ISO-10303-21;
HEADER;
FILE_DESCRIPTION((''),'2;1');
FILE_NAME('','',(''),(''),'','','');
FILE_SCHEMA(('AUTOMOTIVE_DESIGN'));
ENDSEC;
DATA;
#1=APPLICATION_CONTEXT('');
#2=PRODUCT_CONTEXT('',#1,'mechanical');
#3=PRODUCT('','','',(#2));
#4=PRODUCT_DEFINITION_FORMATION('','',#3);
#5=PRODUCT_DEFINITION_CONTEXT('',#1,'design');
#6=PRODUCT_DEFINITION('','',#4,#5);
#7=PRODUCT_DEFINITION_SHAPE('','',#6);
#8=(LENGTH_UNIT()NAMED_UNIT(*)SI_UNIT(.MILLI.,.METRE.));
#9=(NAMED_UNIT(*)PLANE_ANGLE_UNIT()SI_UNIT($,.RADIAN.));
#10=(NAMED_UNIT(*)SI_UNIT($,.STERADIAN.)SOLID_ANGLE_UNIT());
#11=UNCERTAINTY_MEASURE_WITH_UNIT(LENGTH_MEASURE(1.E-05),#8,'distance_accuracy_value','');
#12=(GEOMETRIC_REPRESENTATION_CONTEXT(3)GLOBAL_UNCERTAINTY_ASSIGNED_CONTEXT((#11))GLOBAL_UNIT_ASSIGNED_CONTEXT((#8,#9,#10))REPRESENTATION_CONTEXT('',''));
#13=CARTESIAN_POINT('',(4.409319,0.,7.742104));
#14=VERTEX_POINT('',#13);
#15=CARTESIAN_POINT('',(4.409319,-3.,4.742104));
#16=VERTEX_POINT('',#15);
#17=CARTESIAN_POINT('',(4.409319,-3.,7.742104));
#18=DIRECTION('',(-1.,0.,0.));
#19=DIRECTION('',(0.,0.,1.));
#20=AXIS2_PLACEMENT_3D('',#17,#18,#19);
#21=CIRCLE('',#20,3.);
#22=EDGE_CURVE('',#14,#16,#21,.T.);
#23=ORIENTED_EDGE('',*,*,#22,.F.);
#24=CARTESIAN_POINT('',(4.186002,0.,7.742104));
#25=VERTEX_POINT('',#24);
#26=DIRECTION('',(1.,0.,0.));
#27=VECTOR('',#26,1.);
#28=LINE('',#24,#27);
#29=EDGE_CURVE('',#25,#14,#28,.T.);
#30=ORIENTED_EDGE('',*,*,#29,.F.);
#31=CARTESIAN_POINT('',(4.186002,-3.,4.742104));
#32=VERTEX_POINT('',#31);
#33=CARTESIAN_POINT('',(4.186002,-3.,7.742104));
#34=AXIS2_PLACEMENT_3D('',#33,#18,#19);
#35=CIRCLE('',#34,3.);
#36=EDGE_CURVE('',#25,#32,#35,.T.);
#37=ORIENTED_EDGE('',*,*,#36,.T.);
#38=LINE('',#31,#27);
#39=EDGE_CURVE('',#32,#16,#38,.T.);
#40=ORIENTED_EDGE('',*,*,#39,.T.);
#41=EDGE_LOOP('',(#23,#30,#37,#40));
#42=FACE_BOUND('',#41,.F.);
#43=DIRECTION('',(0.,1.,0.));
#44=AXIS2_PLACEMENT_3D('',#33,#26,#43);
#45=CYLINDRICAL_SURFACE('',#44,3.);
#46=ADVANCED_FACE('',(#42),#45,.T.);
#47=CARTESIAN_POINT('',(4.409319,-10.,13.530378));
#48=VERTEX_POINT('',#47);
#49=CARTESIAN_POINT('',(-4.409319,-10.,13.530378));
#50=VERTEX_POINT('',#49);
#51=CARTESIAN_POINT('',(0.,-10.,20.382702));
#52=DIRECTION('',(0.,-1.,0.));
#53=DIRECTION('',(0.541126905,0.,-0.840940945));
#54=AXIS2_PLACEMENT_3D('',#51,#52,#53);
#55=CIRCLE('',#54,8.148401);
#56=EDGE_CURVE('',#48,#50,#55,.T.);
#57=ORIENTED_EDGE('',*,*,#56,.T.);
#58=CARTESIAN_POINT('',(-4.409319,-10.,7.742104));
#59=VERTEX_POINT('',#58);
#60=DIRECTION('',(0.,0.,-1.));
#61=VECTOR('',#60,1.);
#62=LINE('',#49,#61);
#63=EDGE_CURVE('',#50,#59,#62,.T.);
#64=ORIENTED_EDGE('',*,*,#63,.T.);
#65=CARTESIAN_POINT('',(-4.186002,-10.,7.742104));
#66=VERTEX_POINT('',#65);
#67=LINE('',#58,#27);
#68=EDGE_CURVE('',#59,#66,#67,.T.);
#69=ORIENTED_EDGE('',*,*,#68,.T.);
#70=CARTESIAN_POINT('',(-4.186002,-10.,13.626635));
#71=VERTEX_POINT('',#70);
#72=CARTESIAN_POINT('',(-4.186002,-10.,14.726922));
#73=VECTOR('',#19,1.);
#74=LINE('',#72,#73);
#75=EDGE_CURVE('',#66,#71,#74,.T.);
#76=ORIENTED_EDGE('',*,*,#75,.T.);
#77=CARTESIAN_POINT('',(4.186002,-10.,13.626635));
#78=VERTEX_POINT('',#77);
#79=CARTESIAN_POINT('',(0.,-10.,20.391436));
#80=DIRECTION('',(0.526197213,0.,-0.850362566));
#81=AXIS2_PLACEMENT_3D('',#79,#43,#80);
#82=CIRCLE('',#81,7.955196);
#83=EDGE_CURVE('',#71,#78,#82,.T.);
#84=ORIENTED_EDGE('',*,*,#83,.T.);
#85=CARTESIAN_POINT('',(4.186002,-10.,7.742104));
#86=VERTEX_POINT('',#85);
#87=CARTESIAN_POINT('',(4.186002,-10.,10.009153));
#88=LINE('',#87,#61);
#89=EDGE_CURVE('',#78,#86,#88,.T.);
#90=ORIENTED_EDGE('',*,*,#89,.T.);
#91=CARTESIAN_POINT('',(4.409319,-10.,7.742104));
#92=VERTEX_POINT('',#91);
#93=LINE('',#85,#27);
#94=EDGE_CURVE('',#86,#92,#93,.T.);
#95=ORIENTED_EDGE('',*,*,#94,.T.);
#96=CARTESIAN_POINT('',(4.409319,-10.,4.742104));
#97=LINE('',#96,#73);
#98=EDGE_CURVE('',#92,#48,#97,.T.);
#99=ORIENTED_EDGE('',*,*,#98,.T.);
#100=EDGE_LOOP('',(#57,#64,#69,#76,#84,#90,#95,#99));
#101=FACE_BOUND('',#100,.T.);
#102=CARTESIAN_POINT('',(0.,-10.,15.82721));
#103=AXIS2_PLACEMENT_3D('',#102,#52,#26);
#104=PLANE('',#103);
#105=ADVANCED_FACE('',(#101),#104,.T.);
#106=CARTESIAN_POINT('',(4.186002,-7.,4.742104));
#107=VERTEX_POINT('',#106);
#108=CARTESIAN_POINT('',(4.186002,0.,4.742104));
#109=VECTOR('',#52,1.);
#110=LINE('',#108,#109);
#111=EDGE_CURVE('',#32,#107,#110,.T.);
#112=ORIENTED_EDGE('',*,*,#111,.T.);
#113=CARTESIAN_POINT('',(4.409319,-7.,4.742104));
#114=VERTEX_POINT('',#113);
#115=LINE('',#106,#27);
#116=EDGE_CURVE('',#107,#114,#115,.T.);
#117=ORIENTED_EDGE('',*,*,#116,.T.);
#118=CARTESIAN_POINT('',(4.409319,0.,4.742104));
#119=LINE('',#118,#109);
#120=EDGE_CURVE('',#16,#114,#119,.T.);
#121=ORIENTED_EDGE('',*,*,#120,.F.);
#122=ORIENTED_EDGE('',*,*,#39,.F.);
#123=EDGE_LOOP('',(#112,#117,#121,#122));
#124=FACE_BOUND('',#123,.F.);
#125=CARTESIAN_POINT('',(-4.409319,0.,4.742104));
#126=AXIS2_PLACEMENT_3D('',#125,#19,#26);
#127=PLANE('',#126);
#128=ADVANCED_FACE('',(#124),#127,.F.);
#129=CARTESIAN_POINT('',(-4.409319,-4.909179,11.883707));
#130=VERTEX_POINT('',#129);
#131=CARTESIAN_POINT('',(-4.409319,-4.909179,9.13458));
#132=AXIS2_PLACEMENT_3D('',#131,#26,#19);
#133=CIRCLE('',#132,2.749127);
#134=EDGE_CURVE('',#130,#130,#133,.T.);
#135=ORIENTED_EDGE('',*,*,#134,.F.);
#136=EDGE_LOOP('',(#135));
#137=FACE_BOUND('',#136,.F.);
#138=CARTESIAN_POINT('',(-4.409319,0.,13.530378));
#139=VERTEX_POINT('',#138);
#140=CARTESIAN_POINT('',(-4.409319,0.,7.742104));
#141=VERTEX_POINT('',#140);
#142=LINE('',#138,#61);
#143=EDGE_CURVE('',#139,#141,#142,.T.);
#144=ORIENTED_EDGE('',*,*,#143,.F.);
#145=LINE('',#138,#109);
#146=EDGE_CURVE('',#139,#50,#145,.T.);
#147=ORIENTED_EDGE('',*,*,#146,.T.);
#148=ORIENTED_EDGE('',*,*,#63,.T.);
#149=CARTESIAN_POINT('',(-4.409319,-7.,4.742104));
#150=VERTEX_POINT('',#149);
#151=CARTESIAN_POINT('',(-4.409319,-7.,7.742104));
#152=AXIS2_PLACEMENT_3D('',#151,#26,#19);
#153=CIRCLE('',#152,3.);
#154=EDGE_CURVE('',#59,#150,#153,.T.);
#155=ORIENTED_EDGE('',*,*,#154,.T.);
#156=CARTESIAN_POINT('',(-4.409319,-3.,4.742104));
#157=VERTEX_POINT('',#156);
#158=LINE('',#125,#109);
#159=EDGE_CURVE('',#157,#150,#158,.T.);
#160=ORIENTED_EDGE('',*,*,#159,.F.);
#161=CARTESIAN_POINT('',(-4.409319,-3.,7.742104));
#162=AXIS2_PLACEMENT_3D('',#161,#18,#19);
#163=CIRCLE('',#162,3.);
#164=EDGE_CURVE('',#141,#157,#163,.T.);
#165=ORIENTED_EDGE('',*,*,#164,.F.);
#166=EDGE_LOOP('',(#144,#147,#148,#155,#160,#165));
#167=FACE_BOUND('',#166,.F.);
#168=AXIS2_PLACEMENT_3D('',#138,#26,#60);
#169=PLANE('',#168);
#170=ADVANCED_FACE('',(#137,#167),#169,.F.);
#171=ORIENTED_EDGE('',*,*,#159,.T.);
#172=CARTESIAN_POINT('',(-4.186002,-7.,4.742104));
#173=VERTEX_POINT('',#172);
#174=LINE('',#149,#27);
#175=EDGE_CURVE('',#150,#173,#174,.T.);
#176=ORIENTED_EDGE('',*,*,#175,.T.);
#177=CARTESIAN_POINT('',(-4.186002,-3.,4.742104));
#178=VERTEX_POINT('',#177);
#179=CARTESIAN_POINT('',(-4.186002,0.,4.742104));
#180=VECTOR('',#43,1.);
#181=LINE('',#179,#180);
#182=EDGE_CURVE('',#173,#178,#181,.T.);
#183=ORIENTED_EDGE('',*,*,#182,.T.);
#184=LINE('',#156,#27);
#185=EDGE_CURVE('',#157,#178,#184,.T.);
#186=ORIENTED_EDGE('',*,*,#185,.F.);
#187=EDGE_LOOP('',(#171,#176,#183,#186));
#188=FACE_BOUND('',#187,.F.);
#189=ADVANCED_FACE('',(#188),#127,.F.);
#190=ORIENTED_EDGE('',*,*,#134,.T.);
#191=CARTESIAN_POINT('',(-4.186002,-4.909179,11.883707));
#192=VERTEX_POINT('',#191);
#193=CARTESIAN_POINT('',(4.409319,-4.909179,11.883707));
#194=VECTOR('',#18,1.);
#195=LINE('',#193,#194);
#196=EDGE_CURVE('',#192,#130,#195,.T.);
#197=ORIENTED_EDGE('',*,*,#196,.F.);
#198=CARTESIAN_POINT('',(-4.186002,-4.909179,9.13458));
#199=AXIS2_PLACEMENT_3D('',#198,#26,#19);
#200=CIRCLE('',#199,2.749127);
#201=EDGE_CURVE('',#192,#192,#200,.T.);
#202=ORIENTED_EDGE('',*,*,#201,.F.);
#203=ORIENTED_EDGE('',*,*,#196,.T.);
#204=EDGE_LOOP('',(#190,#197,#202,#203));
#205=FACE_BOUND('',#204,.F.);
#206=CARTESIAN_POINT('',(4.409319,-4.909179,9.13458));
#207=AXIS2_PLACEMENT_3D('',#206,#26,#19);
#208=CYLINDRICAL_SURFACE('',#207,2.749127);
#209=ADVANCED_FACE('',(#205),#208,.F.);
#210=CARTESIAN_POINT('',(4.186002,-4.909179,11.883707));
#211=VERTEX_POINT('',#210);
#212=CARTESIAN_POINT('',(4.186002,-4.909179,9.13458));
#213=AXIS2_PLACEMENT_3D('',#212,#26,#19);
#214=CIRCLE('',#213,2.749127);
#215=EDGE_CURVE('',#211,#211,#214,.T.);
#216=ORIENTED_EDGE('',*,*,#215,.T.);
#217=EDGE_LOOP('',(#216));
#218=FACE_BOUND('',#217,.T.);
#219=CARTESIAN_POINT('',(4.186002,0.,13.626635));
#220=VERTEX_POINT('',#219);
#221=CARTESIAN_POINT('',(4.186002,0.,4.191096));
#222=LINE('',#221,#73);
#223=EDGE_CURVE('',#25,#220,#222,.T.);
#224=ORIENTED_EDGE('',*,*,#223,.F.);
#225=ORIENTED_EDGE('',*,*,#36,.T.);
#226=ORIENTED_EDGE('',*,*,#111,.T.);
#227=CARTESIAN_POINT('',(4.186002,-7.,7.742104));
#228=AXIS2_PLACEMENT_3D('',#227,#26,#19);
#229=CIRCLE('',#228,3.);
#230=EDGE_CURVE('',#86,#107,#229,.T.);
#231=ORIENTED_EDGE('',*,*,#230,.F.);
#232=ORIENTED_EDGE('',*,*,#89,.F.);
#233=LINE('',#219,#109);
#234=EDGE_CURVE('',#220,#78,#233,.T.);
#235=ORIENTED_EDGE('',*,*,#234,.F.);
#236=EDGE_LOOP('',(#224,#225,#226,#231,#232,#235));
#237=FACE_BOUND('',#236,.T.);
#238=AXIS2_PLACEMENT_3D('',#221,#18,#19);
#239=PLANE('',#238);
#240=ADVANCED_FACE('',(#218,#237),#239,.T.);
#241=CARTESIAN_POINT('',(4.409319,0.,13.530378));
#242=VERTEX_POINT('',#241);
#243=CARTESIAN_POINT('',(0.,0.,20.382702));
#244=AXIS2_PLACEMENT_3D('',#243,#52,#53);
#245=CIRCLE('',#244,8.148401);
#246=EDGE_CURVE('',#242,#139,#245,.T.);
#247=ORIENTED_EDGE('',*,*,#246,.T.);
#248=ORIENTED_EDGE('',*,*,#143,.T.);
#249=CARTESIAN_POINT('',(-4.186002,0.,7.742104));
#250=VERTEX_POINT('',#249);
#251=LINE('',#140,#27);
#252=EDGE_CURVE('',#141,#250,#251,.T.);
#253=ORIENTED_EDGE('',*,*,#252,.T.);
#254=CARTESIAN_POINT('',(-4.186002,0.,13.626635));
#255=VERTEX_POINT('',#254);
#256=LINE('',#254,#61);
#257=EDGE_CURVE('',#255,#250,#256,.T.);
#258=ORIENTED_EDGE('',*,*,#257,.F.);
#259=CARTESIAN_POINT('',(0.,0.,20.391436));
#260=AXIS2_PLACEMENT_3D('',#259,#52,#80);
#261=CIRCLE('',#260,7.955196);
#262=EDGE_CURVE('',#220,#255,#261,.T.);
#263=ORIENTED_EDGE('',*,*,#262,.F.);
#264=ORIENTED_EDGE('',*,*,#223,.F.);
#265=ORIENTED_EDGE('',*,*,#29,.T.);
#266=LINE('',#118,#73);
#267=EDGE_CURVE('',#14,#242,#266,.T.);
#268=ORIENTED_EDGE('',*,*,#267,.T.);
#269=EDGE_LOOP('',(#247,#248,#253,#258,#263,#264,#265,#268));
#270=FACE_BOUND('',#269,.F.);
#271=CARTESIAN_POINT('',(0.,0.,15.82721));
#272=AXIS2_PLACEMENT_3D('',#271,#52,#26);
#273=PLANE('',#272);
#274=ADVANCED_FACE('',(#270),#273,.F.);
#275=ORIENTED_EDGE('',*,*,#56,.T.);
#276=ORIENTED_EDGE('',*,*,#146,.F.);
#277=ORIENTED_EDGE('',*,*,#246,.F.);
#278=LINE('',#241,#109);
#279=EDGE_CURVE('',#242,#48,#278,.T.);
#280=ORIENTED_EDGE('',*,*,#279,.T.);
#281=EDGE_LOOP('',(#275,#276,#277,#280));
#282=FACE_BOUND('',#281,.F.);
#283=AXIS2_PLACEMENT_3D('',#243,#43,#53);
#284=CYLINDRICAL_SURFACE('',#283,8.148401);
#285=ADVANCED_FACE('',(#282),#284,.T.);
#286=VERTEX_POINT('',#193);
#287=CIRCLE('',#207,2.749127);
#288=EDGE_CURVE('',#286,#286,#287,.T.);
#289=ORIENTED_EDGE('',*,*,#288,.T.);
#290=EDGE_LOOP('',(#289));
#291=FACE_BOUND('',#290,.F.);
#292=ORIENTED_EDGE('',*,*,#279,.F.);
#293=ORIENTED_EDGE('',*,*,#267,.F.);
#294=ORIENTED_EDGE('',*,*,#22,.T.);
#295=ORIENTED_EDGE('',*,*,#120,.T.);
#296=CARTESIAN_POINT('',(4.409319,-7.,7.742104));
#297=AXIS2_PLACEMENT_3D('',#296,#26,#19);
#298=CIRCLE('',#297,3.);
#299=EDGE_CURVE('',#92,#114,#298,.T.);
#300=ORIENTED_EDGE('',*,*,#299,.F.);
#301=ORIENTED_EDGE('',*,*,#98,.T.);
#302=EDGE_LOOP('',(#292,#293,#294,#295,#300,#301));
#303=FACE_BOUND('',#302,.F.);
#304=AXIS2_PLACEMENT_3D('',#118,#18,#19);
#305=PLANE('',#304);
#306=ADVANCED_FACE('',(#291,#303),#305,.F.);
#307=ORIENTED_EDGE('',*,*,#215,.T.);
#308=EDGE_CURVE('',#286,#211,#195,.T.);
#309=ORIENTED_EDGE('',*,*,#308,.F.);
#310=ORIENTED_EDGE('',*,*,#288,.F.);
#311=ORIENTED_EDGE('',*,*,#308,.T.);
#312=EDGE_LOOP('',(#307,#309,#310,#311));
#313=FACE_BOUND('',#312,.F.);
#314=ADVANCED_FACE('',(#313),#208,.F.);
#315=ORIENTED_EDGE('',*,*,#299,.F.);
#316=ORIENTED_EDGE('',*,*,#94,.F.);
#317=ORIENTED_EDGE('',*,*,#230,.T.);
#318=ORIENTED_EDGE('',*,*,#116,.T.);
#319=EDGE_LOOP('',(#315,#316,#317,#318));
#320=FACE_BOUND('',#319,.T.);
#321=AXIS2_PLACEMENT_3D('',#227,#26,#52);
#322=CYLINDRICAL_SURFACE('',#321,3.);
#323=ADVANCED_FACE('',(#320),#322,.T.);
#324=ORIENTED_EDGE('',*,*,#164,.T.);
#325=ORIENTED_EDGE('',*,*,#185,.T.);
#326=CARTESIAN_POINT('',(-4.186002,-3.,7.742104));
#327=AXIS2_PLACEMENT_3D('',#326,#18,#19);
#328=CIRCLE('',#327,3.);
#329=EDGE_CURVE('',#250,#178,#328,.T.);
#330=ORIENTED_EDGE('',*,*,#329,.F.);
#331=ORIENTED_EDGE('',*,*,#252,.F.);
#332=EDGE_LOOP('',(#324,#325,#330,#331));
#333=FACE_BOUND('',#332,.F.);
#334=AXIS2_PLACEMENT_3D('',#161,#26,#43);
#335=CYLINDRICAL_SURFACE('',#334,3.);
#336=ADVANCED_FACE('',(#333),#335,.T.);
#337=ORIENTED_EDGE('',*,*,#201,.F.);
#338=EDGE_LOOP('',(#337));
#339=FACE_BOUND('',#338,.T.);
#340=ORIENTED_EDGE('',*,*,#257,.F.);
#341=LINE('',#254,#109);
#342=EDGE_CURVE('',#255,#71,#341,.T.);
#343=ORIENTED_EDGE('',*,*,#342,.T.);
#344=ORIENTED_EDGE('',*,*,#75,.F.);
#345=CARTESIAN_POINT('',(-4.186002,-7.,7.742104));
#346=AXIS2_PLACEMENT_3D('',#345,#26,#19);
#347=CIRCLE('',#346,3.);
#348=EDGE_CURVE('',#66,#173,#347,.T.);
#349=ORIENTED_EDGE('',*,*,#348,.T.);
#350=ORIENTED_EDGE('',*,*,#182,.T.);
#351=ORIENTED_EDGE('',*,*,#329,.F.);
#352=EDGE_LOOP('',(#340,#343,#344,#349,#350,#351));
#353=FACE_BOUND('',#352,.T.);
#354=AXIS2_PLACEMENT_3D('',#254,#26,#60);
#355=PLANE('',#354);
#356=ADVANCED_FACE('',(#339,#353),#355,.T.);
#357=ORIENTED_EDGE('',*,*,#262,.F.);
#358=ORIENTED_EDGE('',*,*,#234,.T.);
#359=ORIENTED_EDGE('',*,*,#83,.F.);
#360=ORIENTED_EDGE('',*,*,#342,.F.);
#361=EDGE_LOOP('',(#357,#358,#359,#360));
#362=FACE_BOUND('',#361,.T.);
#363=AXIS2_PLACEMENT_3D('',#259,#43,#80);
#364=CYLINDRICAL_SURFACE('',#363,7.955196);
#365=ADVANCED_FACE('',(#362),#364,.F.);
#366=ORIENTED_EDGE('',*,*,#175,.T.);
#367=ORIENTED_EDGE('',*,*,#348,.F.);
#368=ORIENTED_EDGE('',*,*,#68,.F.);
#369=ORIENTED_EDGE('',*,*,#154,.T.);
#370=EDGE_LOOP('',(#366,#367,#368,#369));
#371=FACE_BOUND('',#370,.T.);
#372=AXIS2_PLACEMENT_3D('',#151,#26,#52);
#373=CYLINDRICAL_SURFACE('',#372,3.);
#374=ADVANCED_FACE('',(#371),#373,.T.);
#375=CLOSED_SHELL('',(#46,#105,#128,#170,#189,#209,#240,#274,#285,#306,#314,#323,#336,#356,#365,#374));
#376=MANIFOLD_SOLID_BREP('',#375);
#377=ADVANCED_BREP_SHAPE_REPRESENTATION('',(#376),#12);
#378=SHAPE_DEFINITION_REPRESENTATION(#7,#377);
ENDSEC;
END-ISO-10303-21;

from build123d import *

# Parameters (mm, degrees)
PAD_DEPTH       = 10
POCKET_DEPTH    = 10.001
SKETCH002_R     = 2.749127
POCKET001_DEPTH = 12.55872
FILLET_R        = 3


with BuildPart() as part:
    # Sketch → Pad (new body)
    with BuildSketch(Plane.XZ):
        with BuildLine():
            ThreePointArc((4.409319, 13.530378), (0, 28.531103), (-4.409319, 13.530378))
            Line((-4.409319, 13.530378), (-4.409319, 4.742104))
            Line((-4.409319, 4.742104), (4.409319, 4.742104))
            Line((4.409319, 4.742104), (4.409319, 13.530378))
        make_face()
    extrude(amount=PAD_DEPTH)

    # Sketch001 → Pocket (cut, through all)
    with BuildSketch(Plane.XZ):
        with BuildLine():
            ThreePointArc((4.186002, 13.626635), (0, 28.346632), (-4.186002, 13.626635))
            Line((-4.186002, 13.626635), (-4.186002, 4.191096))
            Line((-4.186002, 4.191096), (4.186002, 4.191096))
            Line((4.186002, 4.191096), (4.186002, 13.626635))
        make_face()
    extrude(amount=POCKET_DEPTH, mode=Mode.SUBTRACT)

    # Sketch002 (on Face2 of Pocket) → Pocket001 (cut, through all)
    with BuildSketch(Plane(origin=(4.409319, 0, 0), x_dir=(0, 0, 1), z_dir=(1, 0, 0))):
        with Locations((9.13458, 4.909179)):
            Circle(SKETCH002_R)
    extrude(amount=-POCKET001_DEPTH, mode=Mode.SUBTRACT)

    # Fillet
    fillet_edges = [part.edges().sort_by_distance(p)[0] for p in [
        (4.297661, -10, 4.742104),
        (-4.297661, -10, 4.742104),
        (-4.297661, 0, 4.742104),
        (4.297661, 0, 4.742104),
    ]]
    fillet(fillet_edges, radius=FILLET_R)


solid = part.part
